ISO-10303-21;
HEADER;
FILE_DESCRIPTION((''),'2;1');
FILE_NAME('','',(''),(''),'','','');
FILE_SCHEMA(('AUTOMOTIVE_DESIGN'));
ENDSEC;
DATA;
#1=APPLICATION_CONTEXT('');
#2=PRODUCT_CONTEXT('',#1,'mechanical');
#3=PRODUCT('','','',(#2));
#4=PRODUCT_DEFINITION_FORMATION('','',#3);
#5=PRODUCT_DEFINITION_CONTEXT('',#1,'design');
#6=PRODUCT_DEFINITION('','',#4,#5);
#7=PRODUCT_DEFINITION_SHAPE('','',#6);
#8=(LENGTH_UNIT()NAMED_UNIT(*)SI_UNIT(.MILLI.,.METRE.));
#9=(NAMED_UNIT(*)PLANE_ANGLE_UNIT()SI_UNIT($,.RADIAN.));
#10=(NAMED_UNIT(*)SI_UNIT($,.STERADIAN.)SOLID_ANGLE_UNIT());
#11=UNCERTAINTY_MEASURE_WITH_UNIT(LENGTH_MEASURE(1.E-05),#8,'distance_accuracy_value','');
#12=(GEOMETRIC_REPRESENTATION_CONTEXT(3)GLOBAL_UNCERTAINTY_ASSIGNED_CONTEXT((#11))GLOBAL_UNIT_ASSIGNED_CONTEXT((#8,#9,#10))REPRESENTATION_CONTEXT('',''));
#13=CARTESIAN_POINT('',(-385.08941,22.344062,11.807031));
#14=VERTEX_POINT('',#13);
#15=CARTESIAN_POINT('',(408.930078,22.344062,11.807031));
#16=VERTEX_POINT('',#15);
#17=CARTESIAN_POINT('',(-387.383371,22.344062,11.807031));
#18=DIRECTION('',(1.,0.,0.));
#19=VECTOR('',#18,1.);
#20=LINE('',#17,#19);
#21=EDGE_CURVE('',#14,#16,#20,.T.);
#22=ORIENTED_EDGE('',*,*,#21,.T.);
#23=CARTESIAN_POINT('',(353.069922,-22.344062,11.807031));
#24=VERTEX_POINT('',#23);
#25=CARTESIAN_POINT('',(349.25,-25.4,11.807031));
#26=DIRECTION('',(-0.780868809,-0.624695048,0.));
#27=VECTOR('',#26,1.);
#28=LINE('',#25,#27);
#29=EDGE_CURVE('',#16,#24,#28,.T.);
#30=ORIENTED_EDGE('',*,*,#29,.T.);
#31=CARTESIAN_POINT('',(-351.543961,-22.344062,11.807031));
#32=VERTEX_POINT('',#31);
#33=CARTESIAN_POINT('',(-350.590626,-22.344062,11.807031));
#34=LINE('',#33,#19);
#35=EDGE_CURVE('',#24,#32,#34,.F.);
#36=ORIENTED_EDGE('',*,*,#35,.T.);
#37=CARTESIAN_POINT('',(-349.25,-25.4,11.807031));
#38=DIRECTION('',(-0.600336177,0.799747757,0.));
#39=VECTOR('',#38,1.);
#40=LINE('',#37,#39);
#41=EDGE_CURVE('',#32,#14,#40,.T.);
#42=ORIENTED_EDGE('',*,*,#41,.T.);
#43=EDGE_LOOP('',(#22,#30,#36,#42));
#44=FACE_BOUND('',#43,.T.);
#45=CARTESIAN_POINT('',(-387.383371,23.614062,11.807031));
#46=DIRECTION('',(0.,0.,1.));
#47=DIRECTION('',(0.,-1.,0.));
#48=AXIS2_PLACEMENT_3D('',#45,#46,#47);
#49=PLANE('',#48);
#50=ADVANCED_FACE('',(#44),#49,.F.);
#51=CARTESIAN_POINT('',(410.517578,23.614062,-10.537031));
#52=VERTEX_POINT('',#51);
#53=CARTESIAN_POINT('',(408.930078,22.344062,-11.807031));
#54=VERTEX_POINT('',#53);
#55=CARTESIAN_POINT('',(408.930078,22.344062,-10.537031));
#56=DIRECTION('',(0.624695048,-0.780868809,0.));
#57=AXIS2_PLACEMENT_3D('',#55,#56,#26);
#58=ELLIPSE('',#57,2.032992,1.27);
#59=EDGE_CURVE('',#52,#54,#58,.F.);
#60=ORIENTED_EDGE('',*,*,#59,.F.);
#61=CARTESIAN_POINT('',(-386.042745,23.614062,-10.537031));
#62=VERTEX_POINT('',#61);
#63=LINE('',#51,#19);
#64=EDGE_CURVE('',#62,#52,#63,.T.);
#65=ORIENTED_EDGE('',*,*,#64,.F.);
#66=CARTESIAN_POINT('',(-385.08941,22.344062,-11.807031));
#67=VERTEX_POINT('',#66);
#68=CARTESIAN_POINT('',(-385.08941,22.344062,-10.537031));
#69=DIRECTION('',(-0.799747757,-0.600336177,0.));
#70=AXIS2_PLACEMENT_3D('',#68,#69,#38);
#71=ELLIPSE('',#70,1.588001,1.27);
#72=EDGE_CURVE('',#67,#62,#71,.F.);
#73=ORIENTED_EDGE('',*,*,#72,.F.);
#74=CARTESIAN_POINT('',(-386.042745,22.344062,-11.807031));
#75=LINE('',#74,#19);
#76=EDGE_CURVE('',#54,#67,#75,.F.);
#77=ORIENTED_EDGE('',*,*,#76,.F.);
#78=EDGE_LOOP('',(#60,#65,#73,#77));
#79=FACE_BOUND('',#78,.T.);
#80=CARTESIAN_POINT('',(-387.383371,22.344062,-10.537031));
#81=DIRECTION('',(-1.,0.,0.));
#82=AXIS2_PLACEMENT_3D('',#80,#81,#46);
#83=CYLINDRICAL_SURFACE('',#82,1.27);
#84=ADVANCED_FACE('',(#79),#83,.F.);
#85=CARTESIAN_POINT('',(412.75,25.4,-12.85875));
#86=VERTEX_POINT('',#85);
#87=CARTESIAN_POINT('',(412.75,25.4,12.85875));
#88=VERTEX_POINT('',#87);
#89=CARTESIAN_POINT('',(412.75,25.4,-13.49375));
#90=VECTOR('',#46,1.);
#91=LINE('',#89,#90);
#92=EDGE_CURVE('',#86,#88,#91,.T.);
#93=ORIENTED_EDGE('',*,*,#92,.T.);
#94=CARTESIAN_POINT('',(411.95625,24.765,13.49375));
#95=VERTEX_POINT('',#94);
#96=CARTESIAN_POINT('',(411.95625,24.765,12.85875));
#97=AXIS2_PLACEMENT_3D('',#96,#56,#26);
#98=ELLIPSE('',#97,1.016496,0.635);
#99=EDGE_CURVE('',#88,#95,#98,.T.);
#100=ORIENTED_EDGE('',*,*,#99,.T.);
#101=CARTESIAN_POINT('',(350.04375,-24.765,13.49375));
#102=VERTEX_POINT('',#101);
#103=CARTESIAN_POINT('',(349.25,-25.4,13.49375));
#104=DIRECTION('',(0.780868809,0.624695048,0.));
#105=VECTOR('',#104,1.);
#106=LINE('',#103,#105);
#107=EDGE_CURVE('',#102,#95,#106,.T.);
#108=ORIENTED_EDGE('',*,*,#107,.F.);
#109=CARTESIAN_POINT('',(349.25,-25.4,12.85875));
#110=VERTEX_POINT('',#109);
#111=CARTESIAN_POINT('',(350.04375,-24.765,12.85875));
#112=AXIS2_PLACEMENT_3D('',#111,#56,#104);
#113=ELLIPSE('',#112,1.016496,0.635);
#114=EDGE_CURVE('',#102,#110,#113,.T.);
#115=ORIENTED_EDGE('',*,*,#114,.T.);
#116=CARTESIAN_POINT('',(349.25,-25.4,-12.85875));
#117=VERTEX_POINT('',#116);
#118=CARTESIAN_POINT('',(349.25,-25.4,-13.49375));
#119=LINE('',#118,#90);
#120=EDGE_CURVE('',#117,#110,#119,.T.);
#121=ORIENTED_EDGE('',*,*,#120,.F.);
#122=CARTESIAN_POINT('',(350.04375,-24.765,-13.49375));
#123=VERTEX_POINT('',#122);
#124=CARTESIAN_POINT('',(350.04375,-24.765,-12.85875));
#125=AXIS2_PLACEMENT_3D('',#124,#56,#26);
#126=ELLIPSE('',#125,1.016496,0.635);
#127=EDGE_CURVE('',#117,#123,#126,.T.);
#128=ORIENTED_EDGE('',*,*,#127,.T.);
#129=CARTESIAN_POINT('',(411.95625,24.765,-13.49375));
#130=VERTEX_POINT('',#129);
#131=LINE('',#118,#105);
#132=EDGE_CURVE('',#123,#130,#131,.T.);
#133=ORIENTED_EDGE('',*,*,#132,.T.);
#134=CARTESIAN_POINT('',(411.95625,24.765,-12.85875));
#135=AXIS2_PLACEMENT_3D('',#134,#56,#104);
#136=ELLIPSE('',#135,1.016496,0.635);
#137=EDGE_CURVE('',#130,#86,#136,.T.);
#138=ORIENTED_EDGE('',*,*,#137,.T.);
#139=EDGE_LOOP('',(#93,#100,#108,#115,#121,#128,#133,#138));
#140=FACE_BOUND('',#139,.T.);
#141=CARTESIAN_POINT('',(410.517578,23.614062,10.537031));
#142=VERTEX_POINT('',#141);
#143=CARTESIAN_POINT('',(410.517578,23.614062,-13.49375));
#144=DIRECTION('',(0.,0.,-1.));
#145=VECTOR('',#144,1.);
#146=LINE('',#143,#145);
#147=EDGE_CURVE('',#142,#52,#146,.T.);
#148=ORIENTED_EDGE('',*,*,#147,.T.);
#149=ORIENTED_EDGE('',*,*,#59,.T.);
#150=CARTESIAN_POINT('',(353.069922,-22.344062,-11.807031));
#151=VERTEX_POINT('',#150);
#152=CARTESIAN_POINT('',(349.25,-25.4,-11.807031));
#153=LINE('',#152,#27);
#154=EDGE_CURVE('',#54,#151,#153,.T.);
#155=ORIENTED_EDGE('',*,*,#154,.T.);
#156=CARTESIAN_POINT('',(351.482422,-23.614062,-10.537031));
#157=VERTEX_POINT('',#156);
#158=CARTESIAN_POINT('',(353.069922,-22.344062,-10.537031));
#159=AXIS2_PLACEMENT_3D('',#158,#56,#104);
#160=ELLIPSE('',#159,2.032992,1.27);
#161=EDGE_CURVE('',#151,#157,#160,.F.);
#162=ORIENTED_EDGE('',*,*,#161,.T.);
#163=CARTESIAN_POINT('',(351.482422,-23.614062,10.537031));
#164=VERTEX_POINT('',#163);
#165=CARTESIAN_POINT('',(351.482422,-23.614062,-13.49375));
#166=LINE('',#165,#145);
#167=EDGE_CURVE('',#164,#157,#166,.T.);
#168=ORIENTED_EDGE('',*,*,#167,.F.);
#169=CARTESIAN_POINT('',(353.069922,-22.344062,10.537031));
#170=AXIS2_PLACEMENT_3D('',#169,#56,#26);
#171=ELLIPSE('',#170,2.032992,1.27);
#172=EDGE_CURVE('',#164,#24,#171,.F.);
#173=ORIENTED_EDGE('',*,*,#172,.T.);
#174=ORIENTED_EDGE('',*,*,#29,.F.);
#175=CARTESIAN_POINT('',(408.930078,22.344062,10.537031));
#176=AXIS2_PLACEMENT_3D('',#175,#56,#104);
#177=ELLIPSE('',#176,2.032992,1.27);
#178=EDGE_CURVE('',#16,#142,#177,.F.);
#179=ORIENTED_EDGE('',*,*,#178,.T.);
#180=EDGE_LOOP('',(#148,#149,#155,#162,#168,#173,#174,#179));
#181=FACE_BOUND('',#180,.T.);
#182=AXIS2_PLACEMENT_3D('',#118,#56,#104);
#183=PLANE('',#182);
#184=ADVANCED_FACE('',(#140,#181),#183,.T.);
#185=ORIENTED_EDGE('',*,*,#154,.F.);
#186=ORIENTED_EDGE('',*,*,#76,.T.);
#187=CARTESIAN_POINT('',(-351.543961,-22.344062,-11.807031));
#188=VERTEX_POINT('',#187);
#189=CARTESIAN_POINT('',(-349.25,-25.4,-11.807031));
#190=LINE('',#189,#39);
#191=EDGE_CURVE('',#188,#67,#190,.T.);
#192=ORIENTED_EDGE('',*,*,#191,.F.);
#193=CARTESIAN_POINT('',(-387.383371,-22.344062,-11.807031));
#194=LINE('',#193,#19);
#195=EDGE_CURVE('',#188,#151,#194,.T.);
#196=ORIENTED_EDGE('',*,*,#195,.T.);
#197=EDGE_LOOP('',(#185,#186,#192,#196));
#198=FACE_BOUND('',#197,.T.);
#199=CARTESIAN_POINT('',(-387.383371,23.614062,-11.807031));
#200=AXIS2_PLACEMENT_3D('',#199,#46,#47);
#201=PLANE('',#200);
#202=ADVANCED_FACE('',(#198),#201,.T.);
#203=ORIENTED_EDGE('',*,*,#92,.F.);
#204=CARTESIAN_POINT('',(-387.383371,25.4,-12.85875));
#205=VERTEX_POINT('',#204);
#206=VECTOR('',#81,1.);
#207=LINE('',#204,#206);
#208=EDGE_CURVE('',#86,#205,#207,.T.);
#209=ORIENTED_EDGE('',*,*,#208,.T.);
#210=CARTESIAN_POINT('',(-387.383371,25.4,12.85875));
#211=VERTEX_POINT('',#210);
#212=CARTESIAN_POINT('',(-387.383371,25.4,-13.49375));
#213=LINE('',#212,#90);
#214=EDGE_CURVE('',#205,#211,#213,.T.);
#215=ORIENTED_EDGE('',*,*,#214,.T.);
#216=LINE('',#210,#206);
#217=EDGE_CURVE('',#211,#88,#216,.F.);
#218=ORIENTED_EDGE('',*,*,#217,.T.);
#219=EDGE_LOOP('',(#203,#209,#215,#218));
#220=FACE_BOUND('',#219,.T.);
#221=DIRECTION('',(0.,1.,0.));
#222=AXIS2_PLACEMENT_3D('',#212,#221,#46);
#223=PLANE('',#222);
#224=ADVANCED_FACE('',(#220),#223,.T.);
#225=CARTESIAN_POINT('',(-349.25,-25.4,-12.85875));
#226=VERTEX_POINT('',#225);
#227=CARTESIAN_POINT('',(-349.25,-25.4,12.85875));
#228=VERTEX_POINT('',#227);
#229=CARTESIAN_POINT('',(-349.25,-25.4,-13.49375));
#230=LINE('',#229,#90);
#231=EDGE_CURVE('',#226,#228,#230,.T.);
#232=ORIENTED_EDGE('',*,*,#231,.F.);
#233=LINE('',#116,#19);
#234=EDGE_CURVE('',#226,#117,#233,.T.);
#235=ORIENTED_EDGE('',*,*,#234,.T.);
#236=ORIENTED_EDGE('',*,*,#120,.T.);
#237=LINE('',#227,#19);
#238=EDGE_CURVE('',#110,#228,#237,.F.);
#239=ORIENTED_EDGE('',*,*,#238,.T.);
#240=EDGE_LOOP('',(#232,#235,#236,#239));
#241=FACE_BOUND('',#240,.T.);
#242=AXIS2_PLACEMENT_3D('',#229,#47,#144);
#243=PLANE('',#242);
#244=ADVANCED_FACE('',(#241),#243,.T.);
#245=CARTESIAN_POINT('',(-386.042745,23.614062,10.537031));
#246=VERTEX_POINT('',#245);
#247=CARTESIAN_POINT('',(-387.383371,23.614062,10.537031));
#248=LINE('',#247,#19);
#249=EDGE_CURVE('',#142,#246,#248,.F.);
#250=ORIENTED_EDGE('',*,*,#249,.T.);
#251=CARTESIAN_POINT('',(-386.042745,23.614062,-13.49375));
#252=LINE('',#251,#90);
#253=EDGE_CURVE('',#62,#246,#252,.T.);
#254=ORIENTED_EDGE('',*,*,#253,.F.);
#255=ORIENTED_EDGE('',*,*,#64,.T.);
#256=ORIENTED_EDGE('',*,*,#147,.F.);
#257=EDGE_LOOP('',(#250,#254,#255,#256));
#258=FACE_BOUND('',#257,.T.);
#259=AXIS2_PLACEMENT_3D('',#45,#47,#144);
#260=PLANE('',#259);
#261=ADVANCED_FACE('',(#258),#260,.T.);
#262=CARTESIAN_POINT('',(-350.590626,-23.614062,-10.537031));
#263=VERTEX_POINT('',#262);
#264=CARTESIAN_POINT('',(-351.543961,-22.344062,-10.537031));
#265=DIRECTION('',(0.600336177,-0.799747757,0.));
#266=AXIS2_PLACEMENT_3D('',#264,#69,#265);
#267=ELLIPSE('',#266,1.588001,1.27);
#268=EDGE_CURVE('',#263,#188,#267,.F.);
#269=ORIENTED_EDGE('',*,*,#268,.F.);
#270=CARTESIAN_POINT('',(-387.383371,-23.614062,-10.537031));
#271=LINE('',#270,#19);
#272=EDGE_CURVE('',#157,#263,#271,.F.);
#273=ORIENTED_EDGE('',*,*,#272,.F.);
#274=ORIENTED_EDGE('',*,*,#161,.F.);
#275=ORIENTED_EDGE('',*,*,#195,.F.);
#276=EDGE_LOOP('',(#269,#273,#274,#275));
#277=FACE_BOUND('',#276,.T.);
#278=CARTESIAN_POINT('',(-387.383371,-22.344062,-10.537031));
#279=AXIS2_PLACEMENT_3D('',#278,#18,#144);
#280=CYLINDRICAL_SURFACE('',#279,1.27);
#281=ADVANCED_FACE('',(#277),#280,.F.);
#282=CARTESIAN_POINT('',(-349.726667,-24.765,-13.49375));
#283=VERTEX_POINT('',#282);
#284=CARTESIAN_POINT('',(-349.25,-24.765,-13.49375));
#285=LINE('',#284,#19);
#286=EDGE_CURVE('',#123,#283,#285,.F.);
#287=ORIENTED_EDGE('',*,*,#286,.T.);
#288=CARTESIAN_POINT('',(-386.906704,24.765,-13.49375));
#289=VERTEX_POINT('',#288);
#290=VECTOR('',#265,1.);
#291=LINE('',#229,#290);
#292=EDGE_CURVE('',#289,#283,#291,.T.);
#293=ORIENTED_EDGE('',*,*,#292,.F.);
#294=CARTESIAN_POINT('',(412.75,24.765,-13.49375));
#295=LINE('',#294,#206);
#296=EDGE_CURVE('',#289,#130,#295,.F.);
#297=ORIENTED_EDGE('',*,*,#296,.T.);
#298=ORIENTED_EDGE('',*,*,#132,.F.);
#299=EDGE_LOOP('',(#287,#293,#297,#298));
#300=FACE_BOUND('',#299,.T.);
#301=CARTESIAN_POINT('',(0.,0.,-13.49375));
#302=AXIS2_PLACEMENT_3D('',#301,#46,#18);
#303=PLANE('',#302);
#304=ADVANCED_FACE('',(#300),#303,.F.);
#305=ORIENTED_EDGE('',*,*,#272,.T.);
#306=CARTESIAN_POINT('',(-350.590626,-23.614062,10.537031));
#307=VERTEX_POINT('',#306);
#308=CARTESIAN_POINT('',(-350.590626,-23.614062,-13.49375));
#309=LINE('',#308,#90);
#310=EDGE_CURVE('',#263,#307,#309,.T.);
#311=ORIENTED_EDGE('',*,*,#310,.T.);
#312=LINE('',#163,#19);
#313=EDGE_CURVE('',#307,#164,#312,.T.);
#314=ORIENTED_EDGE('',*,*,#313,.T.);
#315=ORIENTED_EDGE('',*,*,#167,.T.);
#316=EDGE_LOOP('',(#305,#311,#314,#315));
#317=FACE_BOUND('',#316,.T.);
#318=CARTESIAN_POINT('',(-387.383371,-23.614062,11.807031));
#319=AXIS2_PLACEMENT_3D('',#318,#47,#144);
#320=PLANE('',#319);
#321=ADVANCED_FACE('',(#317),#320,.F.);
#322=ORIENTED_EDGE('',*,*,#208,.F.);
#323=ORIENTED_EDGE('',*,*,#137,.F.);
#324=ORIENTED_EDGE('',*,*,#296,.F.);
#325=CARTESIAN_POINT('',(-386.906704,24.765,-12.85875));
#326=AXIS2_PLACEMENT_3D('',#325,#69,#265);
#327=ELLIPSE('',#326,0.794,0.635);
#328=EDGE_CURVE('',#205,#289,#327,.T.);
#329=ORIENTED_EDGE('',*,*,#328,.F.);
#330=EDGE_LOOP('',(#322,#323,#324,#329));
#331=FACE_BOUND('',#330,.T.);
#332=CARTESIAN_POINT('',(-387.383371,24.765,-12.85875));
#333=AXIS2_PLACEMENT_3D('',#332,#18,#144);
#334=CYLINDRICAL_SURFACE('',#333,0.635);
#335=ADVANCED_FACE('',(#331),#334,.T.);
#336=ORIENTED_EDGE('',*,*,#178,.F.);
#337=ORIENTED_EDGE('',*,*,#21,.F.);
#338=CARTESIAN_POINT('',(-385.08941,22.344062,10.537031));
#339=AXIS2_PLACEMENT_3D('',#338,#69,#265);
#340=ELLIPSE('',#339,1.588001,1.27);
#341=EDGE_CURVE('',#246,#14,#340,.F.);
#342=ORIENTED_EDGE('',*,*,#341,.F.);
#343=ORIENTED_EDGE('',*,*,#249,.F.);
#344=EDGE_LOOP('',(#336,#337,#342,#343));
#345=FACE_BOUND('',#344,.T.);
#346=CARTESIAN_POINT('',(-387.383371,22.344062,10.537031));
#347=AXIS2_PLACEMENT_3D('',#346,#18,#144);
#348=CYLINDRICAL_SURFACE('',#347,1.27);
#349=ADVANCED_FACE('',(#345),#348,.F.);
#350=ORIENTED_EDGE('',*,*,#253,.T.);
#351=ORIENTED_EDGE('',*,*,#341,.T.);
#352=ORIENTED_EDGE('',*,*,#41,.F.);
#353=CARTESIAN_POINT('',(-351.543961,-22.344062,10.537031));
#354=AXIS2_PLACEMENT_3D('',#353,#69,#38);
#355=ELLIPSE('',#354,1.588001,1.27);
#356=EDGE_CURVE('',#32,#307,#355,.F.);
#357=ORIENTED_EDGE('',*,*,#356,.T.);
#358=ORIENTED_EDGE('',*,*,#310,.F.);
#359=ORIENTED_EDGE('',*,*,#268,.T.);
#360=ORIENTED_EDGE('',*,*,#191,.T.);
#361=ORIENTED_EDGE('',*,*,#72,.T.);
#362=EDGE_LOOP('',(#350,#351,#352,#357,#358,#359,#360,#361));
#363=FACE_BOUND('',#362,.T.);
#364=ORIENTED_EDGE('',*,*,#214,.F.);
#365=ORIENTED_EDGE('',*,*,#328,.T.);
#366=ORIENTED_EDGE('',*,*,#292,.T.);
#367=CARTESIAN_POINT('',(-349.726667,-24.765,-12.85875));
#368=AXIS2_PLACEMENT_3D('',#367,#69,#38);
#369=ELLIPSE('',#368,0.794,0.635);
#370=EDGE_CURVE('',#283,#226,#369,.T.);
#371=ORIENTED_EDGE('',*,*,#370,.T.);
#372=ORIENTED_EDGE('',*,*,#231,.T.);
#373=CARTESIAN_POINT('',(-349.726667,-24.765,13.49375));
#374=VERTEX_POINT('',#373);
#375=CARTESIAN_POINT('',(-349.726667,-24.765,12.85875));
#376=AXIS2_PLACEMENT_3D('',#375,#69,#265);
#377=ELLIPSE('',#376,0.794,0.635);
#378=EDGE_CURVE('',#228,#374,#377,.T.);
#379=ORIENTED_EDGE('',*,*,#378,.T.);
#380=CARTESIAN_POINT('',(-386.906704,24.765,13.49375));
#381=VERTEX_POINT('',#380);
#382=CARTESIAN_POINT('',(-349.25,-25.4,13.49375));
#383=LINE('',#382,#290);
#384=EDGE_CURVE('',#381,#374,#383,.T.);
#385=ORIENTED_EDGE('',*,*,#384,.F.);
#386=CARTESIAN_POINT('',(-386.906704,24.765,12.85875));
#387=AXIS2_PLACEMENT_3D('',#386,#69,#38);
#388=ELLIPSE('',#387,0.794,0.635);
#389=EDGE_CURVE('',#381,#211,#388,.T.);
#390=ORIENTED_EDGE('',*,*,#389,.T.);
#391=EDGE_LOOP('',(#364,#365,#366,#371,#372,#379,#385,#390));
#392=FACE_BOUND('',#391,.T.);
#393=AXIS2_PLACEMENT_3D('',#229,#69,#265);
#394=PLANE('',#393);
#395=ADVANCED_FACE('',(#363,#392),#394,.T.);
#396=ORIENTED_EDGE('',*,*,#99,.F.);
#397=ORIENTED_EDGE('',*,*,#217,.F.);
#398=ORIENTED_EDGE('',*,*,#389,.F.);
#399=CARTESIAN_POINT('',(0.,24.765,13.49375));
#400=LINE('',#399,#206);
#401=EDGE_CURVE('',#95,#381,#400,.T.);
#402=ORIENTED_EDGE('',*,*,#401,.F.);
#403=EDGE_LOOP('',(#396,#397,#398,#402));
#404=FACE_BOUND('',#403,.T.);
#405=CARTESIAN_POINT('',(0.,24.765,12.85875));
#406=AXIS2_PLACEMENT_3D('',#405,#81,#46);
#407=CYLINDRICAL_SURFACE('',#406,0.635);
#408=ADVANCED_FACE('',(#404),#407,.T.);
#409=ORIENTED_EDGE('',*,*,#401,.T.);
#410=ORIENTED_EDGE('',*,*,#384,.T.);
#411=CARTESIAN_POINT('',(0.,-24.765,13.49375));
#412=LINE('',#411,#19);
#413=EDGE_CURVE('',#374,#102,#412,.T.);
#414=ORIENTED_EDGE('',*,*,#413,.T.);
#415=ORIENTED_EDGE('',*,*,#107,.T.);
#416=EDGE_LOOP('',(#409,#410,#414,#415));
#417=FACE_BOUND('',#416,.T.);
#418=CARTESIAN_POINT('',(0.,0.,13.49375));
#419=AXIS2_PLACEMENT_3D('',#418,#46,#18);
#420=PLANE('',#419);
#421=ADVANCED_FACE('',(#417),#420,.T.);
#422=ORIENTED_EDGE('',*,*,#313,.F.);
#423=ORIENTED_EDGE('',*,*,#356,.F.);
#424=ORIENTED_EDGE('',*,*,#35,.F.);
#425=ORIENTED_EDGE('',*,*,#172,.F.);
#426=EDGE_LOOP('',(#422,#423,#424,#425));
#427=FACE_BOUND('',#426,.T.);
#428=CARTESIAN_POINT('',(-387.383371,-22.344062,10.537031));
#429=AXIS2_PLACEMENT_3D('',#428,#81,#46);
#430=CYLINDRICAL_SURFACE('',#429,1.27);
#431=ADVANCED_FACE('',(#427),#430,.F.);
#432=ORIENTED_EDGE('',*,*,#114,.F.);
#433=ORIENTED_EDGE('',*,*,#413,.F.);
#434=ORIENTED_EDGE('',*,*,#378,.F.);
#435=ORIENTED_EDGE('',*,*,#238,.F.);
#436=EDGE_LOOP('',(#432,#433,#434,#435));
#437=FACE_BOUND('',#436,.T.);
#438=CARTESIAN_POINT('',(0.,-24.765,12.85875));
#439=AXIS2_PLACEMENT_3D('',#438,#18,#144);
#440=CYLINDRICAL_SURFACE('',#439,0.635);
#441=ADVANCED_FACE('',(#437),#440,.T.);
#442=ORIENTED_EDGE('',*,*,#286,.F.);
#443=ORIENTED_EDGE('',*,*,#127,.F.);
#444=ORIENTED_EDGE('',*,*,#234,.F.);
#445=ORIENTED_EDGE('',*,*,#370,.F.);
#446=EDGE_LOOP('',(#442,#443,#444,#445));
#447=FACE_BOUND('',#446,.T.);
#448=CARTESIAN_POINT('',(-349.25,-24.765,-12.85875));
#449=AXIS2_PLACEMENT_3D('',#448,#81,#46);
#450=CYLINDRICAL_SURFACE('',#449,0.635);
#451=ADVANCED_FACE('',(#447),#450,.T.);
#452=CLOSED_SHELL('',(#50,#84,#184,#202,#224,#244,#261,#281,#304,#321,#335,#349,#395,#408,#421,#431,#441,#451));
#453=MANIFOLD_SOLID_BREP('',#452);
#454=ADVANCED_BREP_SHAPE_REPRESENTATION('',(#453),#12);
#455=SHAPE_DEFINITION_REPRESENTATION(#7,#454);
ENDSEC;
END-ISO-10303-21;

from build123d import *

# Parameters (mm, degrees)
BOSS_EXTRUDE1_DEPTH      = 13.49375
BOSS_EXTRUDE1_DEPTH_BACK = 13.49375
CUT_EXTRUDE1_DEPTH       = 414.750895817
CUT_EXTRUDE1_DEPTH_BACK  = 414.750895817
SKETCH3_W                = 23.6140625
SKETCH3_H                = 47.228125
FILLET1_R                = 1.27
FILLET2_R                = 0.635


with BuildPart() as part:
    # Sketch2 → Boss-Extrude1 (new, two sides: drawn at the far end of the back side and taken through both)
    with BuildSketch(Plane.XY.offset(-BOSS_EXTRUDE1_DEPTH_BACK)):
        Polygon((-349.25, -25.4), (-387.383370876, 25.4), (-349.25, 25.4), (349.25, 25.4), (412.75, 25.4), (349.25, -25.4), align=None)
    extrude(amount=BOSS_EXTRUDE1_DEPTH + BOSS_EXTRUDE1_DEPTH_BACK)

    # Sketch3 → Cut-Extrude1 (cut, two sides: drawn at the far end of the back side and taken through both)
    with BuildSketch(Plane(origin=(0, 0, 0), x_dir=(0, 0, -1), z_dir=(1, 0, 0)).offset(-CUT_EXTRUDE1_DEPTH_BACK)):
        Rectangle(SKETCH3_W, SKETCH3_H)
    extrude(amount=CUT_EXTRUDE1_DEPTH + CUT_EXTRUDE1_DEPTH_BACK, mode=Mode.SUBTRACT)

    # Fillet1
    fillet1_edges = [part.edges().sort_by_distance(p)[0] for p in [
        (0.445897778, -23.6140625, -11.80703125),
        (0.445897778, -23.6140625, 11.80703125),
        (12.237416785, 23.6140625, 11.80703125),
        (12.237416785, 23.6140625, -11.80703125),
    ]]
    fillet(fillet1_edges, radius=FILLET1_R)

    # Fillet2
    fillet2_edges = [part.edges().sort_by_distance(p)[0] for p in [
        (12.683314562, 25.4, 13.49375),
        (0, -25.4, 13.49375),
        (0, -25.4, -13.49375),
        (12.683314562, 25.4, -13.49375),
    ]]
    fillet(fillet2_edges, radius=FILLET2_R)


solid = part.part
